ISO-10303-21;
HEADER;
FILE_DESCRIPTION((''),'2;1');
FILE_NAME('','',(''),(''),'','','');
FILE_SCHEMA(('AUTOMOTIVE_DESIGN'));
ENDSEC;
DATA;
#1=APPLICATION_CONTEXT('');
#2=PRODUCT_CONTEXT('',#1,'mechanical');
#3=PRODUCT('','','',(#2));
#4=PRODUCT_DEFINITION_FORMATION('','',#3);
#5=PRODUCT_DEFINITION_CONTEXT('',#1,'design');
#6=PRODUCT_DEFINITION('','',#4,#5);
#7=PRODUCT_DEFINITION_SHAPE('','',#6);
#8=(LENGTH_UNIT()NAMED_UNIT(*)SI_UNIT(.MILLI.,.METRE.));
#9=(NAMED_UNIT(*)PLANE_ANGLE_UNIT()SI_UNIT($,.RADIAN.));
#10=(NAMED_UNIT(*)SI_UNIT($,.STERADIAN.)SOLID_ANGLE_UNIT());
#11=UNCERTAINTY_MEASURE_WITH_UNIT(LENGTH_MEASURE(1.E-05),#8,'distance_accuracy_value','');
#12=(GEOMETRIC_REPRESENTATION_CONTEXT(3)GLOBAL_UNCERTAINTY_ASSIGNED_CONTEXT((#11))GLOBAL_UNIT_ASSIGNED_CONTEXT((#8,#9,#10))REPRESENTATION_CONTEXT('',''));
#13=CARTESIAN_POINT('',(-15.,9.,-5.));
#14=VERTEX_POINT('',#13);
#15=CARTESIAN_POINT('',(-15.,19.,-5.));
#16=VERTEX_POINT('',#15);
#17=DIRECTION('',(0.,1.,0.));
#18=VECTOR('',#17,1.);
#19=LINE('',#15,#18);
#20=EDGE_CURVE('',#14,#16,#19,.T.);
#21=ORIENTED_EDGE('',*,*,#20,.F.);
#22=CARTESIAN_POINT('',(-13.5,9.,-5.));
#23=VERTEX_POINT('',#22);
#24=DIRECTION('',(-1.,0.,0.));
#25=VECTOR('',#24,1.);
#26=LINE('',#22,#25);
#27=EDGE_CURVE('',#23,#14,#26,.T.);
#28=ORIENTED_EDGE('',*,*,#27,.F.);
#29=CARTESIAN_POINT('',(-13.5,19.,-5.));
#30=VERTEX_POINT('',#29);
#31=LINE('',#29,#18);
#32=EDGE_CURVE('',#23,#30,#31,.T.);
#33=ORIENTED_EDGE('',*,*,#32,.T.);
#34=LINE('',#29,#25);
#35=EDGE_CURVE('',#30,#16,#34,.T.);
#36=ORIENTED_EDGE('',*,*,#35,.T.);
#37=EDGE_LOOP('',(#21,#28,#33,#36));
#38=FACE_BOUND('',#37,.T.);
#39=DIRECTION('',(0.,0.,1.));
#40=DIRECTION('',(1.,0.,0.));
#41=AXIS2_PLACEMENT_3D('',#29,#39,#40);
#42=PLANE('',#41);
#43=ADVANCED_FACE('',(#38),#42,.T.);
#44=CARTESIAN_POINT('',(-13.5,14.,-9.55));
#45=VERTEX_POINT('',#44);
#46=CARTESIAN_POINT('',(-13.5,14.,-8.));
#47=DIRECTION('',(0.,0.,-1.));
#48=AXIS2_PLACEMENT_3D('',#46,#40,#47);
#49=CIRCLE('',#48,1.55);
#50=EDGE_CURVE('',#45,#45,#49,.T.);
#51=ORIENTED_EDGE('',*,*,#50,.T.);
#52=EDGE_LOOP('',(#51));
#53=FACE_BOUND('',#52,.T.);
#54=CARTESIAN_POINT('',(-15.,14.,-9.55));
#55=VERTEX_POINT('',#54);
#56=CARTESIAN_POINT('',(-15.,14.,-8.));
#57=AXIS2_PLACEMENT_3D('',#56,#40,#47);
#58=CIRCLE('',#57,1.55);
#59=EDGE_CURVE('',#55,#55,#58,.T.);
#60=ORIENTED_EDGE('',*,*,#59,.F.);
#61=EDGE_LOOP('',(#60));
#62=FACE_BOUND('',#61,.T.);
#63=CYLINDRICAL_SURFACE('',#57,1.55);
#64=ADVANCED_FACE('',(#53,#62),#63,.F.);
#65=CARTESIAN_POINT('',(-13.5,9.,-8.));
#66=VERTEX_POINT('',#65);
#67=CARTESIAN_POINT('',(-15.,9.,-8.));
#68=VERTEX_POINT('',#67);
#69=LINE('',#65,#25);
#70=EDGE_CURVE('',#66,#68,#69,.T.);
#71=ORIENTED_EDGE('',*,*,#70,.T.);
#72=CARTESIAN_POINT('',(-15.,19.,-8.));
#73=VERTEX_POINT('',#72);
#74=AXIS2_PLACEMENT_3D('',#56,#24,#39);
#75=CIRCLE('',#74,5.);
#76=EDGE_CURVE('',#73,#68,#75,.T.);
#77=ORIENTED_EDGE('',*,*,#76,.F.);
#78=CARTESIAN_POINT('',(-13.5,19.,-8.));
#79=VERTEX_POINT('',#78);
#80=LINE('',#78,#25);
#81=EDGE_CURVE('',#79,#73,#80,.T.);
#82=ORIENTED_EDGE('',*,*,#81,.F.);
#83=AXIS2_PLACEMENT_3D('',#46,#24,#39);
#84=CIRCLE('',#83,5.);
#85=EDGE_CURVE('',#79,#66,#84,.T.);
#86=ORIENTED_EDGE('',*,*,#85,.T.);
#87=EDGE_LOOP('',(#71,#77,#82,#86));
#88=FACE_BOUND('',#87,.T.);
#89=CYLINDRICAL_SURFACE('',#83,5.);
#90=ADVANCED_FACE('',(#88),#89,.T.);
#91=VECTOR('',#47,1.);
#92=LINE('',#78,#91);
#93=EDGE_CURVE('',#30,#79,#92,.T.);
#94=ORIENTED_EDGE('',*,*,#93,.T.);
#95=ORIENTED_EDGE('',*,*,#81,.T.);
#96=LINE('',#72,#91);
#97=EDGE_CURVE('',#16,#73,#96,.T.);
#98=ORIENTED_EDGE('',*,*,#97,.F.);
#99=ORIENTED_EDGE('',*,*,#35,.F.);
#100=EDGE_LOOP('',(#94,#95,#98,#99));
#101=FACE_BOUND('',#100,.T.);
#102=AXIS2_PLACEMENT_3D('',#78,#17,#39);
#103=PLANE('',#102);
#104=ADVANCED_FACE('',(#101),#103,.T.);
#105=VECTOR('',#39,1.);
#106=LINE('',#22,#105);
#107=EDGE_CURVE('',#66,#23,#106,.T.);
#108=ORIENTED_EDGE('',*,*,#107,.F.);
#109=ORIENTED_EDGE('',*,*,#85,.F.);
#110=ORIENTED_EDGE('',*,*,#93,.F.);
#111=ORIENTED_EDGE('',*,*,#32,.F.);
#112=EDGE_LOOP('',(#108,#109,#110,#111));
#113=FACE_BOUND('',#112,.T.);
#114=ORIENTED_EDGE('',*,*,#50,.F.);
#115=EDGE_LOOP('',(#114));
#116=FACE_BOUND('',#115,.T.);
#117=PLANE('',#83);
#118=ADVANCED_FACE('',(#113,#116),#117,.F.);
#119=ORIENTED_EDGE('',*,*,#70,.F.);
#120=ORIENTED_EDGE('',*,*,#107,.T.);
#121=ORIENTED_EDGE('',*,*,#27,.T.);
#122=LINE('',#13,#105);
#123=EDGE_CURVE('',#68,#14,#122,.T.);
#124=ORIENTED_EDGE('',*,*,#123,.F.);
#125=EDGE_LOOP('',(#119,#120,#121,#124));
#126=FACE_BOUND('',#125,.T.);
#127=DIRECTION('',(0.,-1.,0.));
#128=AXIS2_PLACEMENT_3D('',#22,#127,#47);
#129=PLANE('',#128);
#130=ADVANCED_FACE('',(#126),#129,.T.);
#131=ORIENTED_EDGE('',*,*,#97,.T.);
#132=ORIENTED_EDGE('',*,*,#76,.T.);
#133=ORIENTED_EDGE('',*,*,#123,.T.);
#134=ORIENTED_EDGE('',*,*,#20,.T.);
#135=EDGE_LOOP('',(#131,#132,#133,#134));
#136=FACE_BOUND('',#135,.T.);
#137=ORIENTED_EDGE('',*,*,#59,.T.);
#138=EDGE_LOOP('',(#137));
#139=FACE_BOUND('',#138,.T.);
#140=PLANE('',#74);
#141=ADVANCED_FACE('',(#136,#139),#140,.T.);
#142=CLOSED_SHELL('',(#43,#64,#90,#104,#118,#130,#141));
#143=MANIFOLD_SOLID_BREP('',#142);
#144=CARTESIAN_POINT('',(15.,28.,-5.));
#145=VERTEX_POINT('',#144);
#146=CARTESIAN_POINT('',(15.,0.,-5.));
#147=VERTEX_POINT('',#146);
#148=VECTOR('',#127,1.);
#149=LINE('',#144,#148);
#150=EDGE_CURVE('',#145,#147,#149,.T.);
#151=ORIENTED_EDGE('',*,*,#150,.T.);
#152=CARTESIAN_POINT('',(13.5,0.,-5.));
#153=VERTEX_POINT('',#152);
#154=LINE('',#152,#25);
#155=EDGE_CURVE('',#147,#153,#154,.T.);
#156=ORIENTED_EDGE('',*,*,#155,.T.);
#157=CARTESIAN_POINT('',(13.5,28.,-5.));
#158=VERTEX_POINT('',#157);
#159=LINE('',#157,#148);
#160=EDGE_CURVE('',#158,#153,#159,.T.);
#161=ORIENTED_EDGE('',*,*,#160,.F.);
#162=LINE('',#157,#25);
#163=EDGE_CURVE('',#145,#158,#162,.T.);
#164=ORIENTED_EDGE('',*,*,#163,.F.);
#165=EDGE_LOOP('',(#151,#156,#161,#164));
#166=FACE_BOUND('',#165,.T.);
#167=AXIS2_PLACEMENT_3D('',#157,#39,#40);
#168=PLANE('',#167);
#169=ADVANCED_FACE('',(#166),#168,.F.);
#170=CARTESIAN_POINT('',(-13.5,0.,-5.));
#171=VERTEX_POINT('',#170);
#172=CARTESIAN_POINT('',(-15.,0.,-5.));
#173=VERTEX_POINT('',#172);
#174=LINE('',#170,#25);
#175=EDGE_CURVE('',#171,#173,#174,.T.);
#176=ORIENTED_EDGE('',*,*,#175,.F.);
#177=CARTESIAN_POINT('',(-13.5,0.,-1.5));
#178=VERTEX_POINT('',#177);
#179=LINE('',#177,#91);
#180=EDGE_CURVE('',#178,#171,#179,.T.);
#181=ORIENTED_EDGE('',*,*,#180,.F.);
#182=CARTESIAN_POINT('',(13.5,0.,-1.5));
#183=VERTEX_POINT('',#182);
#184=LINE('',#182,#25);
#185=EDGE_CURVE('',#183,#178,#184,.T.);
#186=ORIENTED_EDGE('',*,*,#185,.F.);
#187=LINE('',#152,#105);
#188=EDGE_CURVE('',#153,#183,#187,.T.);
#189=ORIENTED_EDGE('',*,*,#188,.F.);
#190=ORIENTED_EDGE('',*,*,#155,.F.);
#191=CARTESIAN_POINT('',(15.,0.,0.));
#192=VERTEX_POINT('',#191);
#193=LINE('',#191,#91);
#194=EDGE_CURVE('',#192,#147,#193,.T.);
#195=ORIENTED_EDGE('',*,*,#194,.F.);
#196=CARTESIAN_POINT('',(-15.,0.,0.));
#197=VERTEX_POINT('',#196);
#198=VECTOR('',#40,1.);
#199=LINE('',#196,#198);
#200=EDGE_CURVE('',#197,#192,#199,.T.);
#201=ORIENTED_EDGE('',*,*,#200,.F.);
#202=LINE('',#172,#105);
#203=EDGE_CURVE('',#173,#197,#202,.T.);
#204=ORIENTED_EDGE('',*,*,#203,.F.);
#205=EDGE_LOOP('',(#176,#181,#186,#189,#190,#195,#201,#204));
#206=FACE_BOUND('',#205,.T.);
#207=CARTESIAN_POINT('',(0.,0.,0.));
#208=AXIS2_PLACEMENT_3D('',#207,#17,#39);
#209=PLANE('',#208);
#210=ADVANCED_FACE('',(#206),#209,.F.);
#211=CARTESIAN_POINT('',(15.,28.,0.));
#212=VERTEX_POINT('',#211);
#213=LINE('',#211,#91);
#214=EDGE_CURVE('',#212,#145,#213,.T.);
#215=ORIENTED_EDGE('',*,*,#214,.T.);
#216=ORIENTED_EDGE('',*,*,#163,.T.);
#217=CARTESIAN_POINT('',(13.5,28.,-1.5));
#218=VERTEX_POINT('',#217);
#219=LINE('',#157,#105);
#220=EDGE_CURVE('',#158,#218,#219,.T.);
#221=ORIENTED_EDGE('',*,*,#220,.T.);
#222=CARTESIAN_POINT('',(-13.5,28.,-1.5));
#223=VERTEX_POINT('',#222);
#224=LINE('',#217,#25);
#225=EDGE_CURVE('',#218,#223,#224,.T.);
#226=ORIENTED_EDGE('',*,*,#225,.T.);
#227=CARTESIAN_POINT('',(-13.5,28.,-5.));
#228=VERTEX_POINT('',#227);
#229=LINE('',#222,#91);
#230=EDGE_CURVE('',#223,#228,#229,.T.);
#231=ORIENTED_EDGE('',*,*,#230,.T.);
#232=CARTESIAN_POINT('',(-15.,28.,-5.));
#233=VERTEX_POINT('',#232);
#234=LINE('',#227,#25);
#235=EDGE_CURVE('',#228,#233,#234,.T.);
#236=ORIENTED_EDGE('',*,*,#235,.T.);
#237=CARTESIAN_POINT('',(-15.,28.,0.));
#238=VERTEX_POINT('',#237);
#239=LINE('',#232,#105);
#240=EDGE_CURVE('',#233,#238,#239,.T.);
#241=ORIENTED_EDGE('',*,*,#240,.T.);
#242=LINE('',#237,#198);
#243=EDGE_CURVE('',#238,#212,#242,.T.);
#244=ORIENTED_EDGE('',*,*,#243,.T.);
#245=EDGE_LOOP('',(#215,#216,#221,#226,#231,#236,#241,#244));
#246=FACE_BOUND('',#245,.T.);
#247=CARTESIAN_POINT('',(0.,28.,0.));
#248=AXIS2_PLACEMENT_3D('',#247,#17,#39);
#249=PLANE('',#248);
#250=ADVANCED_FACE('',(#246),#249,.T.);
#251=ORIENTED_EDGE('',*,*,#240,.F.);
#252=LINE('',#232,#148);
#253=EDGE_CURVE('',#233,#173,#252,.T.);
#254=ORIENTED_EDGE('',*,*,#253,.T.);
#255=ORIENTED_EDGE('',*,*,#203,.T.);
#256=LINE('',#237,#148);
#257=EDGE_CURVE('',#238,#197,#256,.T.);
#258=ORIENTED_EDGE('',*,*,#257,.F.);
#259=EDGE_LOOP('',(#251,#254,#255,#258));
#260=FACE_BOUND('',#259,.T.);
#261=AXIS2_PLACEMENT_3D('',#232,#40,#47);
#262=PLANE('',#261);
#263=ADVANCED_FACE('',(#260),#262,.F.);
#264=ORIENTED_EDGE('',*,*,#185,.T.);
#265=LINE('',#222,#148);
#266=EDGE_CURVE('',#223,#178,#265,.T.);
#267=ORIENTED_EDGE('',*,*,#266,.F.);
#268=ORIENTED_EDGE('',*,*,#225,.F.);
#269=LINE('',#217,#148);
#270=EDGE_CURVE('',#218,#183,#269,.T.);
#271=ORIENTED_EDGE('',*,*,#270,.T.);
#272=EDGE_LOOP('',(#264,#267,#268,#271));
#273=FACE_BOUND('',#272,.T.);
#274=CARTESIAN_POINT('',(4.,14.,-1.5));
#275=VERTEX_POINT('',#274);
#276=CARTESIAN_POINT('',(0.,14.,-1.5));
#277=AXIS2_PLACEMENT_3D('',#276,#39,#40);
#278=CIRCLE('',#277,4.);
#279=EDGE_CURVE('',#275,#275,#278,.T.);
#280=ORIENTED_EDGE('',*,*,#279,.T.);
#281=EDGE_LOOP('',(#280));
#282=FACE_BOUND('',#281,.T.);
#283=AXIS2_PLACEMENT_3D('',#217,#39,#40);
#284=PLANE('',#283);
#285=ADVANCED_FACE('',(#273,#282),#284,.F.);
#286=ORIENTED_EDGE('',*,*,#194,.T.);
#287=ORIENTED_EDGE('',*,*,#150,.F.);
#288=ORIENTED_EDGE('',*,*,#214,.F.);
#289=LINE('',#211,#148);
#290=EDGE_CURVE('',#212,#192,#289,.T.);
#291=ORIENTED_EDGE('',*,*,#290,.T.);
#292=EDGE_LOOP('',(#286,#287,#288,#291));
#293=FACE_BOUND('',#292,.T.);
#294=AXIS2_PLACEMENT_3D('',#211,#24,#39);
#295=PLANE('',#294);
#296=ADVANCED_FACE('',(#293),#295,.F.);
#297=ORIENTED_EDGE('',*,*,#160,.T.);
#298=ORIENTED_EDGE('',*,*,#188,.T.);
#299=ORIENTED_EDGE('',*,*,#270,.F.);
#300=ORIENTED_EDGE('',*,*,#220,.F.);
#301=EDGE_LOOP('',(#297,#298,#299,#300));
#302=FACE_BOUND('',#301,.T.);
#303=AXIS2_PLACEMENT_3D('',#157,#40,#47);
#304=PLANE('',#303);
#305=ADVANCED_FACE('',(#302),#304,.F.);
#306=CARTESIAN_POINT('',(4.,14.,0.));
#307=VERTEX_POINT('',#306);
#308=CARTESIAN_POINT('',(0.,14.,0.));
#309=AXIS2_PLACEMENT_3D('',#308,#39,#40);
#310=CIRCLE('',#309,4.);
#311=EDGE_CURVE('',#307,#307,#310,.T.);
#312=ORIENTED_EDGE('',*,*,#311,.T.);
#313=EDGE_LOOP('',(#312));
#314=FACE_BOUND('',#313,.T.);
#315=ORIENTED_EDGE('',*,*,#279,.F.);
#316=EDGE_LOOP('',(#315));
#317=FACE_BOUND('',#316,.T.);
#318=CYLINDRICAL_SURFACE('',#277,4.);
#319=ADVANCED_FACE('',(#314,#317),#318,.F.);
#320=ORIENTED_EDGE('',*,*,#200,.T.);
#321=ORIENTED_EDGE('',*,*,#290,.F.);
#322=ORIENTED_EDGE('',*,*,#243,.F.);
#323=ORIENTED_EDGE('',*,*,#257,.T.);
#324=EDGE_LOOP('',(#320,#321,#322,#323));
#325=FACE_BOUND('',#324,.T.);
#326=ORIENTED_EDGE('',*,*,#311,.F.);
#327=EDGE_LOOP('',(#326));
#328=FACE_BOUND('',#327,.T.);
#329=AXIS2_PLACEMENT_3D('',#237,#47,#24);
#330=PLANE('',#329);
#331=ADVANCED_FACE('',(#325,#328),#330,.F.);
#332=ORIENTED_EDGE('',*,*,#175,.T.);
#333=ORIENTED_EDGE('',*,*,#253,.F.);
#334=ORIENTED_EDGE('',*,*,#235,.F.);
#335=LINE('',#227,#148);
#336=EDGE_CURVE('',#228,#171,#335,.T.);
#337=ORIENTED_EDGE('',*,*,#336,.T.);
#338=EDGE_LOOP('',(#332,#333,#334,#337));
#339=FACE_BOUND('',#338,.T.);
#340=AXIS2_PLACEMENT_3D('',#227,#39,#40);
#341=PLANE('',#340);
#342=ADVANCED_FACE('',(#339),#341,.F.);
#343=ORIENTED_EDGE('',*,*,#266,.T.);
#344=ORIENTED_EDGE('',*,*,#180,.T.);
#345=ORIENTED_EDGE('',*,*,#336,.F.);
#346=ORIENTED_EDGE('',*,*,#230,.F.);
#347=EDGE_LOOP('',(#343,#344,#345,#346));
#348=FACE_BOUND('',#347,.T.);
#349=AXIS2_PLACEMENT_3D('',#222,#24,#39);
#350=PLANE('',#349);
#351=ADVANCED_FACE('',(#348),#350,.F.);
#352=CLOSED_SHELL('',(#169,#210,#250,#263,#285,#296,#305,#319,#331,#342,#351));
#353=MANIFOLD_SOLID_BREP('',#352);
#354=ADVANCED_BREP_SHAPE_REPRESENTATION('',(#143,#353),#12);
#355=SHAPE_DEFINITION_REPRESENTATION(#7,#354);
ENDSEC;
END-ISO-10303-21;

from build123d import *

# Parameters (mm, degrees)
EXTRUDE_1_DEPTH     = 28
EXTRUDE_2_DEPTH     = 1.5
SKETCH_3_R          = 1.55
CUT_EXTRUDE_1_DEPTH = 1.5
SKETCH_4_R          = 4
CUT_EXTRUDE_2_DEPTH = 1.5


with BuildPart() as part:
    # 草图1 → 凸台-拉伸1 (new body)
    with BuildSketch(Plane(origin=(0, 0, 0), x_dir=(1, 0, 0), z_dir=(0, 1, 0))):
        Polygon((-15, 0), (15, 0), (15, 5), (13.5, 5), (13.5, 1.5), (-13.5, 1.5), (-13.5, 5), (-15, 5), align=None)
    extrude(amount=EXTRUDE_1_DEPTH)

    # 草图4 → 切除-拉伸2 (cut)
    with BuildSketch(Plane.XY):
        with Locations((0, 14)):
            Circle(SKETCH_4_R)
    extrude(amount=-CUT_EXTRUDE_2_DEPTH, mode=Mode.SUBTRACT)


with BuildPart() as body_2:
    # 草图2 → 凸台-拉伸2 (new body)
    with BuildSketch(Plane.ZY.offset(15)):
        with BuildLine():
            Line((-8, 19), (-5, 19))
            Line((-5, 19), (-5, 9))
            Line((-5, 9), (-8, 9))
            ThreePointArc((-8, 9), (-13, 14), (-8, 19))
        make_face()
    extrude(amount=-EXTRUDE_2_DEPTH)

    # 草图3 → 切除-拉伸1 (cut)
    with BuildSketch(Plane(origin=(-13.5, 0, 0), x_dir=(0, 0, -1), z_dir=(1, 0, 0))):
        with Locations((8, 14)):
            Circle(SKETCH_3_R)
    extrude(amount=-CUT_EXTRUDE_1_DEPTH, mode=Mode.SUBTRACT)


solid = Compound([part.part, body_2.part])
